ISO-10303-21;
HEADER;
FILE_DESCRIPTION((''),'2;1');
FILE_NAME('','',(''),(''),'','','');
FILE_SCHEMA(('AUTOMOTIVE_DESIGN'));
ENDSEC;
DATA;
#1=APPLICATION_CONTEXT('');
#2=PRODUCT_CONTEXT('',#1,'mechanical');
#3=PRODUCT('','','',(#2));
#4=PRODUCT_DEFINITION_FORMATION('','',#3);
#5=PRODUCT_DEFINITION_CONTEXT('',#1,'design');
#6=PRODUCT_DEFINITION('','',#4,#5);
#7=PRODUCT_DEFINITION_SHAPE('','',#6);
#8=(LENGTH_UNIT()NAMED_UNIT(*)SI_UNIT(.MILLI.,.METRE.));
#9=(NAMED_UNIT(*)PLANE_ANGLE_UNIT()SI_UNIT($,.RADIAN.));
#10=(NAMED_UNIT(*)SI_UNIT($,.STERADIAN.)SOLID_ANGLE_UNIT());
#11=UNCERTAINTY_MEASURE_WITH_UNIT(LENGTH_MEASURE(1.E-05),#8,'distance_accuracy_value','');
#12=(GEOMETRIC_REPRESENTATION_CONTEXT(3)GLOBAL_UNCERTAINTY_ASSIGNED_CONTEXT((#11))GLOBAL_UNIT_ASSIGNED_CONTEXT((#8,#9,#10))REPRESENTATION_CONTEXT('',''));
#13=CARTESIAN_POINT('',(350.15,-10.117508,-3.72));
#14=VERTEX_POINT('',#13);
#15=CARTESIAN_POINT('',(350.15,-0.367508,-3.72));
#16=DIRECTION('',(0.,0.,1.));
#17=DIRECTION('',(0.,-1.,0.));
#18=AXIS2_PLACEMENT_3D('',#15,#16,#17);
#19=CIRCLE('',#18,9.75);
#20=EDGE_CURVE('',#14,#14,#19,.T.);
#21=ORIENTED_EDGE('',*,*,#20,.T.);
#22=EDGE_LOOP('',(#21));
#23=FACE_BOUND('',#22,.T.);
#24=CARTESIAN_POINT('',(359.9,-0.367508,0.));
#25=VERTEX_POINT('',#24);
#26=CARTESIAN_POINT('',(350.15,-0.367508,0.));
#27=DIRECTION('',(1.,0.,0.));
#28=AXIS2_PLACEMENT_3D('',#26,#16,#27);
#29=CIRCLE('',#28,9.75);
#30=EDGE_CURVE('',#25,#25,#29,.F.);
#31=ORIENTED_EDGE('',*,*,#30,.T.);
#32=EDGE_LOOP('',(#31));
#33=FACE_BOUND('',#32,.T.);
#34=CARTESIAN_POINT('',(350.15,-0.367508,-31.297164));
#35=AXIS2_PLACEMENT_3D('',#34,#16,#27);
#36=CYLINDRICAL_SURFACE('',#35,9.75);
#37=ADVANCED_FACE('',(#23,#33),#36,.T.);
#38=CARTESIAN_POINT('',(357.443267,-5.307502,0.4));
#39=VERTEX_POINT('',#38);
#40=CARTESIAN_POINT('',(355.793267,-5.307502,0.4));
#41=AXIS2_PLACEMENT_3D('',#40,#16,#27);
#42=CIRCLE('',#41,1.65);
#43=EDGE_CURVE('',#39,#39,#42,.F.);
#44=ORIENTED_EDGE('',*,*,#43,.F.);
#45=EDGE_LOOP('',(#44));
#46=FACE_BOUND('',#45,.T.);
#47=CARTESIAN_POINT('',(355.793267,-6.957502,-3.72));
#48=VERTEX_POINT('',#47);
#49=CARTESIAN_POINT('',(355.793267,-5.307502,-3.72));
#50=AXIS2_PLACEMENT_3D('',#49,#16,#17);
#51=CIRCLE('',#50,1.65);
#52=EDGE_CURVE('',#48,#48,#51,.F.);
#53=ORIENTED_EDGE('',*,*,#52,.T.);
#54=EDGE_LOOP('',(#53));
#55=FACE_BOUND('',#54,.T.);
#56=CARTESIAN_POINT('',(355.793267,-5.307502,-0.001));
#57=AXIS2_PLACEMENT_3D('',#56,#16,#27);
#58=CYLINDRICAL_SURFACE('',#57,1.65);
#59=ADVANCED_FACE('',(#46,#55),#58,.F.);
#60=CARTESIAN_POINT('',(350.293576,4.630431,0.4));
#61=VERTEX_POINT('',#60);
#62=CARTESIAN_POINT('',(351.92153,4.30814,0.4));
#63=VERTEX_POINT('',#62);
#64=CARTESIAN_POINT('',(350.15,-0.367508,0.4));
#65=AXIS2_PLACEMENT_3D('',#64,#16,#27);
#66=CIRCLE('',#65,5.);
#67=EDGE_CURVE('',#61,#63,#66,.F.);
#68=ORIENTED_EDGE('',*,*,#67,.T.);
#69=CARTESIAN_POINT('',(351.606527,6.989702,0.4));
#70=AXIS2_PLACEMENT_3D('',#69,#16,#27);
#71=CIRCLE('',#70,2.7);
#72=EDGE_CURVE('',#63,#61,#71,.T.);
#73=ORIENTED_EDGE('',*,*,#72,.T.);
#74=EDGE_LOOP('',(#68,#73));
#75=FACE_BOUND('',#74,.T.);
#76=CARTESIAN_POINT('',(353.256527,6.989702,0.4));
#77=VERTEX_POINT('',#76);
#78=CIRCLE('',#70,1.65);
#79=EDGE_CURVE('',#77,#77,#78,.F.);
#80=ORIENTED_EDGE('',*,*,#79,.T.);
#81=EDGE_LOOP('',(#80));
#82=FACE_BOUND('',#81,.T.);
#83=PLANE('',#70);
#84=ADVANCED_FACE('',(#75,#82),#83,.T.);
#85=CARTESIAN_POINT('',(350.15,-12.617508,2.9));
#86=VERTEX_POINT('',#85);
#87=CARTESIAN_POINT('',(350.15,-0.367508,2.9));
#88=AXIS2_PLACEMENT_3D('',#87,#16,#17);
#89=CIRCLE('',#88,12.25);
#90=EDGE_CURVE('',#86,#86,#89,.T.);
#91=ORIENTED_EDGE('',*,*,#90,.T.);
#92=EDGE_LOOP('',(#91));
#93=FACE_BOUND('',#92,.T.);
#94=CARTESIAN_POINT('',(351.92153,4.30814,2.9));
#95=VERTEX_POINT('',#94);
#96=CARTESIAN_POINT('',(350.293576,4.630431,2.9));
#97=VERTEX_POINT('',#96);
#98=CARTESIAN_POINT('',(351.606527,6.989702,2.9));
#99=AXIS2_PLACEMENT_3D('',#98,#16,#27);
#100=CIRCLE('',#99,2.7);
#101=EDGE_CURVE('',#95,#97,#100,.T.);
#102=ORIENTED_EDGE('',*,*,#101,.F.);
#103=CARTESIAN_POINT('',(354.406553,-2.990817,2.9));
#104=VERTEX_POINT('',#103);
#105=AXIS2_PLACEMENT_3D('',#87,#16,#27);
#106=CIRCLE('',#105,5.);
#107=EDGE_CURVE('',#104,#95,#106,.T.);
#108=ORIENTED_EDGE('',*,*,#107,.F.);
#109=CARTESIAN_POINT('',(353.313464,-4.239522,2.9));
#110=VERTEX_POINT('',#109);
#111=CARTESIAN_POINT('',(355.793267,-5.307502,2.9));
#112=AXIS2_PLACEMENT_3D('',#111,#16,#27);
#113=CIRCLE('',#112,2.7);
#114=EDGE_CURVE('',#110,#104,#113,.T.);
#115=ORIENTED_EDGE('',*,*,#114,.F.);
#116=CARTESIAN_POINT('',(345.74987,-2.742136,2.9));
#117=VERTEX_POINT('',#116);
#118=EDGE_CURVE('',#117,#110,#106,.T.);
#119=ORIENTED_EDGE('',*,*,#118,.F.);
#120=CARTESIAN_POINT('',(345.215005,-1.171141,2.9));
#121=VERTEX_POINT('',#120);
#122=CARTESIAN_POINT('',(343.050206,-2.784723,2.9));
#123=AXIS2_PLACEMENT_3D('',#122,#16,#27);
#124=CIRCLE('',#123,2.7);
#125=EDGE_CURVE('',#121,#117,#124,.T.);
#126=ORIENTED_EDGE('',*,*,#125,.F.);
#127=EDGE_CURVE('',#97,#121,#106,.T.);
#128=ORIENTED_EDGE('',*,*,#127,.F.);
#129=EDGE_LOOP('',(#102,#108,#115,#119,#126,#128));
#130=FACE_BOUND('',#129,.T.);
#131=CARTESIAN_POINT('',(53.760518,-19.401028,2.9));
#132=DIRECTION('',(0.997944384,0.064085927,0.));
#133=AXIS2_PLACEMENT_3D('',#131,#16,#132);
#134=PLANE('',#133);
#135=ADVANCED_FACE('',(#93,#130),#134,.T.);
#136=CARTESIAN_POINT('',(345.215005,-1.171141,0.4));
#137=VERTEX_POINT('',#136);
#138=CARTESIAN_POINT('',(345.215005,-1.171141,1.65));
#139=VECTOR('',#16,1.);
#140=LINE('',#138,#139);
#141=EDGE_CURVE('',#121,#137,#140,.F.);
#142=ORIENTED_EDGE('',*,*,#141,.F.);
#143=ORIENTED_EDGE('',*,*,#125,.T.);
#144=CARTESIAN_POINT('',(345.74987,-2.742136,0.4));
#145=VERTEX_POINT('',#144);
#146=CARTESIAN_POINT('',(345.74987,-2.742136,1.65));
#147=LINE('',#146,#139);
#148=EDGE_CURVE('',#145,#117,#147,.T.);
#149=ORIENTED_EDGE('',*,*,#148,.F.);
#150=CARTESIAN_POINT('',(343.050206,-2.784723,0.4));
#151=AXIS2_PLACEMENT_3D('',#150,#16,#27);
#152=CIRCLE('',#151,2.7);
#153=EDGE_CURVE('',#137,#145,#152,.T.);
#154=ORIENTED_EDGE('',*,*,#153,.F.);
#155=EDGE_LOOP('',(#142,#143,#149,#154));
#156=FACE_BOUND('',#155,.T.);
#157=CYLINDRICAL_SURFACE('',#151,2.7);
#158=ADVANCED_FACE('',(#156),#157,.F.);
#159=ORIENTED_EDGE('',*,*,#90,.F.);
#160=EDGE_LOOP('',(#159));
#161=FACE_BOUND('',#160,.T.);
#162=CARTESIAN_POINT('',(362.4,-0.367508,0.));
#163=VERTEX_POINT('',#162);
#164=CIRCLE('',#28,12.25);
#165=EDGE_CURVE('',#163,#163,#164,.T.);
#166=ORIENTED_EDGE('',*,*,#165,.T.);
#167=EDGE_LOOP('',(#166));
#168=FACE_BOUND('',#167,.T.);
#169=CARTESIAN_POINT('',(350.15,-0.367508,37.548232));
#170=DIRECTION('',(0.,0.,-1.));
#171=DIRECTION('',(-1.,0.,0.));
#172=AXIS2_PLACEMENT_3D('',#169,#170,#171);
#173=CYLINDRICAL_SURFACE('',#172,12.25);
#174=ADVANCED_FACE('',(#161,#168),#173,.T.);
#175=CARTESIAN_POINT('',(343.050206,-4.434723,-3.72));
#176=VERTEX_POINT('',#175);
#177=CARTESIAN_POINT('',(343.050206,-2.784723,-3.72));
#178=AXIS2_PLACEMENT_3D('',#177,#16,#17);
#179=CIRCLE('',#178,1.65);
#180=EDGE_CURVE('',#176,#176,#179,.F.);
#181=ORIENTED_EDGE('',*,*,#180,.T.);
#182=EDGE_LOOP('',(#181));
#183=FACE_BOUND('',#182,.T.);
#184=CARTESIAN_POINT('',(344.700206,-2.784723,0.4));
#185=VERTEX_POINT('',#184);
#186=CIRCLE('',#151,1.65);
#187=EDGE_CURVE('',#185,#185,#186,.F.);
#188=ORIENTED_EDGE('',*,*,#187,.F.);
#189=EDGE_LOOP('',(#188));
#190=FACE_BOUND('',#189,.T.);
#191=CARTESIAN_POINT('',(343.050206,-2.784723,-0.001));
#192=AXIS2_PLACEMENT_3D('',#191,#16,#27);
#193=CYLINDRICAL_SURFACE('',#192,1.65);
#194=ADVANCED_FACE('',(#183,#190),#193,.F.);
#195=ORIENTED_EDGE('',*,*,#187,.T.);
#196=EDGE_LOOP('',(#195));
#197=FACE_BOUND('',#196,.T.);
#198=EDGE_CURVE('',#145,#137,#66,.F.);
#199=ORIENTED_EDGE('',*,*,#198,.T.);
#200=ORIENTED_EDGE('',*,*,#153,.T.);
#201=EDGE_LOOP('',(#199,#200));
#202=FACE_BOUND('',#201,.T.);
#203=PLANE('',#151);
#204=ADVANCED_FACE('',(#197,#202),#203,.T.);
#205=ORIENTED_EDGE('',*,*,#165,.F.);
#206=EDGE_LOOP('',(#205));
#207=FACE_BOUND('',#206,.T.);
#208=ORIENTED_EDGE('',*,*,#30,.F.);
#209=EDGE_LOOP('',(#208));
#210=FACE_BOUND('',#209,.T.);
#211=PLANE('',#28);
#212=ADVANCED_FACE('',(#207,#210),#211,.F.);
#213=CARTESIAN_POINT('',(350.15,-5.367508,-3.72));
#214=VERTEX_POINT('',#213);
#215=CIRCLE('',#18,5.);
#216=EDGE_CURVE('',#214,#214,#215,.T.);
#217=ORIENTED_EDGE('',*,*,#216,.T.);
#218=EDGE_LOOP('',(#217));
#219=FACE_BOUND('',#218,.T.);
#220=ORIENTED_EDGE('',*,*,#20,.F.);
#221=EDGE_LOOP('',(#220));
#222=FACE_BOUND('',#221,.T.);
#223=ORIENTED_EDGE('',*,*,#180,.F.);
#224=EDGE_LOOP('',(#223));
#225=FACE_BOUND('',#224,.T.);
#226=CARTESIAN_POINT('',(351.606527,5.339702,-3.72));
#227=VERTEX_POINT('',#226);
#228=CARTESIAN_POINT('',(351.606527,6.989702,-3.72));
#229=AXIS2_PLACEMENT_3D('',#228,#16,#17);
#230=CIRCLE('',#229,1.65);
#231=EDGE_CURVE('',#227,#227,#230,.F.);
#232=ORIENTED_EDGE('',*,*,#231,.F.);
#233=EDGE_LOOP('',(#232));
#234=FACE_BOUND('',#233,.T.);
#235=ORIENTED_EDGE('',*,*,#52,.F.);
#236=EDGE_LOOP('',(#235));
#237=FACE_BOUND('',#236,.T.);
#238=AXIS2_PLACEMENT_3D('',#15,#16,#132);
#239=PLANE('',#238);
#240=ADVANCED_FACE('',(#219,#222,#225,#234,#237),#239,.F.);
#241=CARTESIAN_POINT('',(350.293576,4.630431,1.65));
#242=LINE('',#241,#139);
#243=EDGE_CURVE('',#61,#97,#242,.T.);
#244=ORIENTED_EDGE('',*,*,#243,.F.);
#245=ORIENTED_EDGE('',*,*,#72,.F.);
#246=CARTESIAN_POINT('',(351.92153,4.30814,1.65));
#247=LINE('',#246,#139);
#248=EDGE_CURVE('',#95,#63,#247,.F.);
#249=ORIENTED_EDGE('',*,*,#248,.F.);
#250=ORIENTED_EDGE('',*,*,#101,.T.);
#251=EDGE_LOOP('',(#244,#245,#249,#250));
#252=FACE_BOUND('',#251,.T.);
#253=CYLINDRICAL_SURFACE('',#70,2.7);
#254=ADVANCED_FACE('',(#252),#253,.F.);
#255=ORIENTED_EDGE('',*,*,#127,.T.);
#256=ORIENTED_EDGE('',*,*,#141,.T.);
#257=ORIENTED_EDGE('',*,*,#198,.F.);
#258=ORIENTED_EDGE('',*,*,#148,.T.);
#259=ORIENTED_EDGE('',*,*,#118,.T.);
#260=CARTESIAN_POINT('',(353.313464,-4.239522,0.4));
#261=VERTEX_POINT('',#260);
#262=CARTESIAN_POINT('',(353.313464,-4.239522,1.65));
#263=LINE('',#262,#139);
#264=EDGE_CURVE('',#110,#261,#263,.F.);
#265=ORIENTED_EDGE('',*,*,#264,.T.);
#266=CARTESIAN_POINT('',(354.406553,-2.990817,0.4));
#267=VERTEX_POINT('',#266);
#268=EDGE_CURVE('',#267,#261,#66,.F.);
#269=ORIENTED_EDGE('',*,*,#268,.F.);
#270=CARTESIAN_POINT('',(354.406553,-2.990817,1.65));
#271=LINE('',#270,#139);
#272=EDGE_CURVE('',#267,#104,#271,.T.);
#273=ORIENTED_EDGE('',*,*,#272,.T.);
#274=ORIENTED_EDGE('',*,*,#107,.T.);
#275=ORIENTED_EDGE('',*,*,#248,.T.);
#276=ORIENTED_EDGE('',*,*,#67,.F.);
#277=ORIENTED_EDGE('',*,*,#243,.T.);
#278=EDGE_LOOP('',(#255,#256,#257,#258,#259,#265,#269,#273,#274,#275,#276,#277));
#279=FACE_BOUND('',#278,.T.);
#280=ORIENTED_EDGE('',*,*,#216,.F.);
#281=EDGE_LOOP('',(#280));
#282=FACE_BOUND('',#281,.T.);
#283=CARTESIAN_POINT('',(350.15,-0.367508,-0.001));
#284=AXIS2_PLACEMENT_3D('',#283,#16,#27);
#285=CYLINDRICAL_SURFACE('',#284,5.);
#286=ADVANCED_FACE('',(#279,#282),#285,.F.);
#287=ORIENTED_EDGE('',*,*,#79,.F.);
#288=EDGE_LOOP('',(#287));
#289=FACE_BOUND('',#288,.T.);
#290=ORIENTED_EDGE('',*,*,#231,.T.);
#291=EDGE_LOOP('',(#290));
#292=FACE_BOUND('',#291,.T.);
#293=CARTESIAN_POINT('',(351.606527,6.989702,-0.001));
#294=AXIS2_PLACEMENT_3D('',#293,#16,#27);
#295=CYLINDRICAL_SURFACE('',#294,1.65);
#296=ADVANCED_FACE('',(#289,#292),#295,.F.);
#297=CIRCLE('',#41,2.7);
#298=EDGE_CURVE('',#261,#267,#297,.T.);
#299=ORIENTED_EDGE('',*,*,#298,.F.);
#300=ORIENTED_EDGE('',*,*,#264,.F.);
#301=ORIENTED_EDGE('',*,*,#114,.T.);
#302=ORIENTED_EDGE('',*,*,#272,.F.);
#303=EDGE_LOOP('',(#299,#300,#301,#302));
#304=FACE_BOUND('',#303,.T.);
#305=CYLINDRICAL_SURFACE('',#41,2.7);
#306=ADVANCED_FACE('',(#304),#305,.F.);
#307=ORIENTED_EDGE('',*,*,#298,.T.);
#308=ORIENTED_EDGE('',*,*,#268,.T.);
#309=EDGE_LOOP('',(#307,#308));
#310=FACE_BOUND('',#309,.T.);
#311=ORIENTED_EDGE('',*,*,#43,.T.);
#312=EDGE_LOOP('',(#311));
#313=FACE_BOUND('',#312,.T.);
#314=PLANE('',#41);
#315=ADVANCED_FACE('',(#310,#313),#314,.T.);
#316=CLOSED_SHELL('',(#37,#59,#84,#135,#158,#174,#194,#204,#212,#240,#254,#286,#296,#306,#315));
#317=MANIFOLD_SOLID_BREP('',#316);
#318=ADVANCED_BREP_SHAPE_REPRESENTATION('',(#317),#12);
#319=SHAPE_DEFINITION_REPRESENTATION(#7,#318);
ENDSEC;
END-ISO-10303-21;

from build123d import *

# Parameters (mm, degrees)
SKETCH1_R           = 12.25
BOSS_EXTRUDE1_DEPTH = 2.9
CUT_EXTRUDE1_REACH  = 364.631
SKETCH2_R           = 5
CUT_EXTRUDE2_REACH  = 364.631
SKETCH5_R           = 1.65
SKETCH6_R           = 9.75
SKETCH6_R_2         = 5
BOSS_EXTRUDE2_DEPTH = 3.72
SKETCH7_R           = 1.65
CUT_EXTRUDE3_DEPTH  = 3.72
SKETCH8_R           = 2.7
CUT_EXTRUDE4_DEPTH  = 2.5


with BuildPart() as part:
    # Sketch1 → Boss-Extrude1 (new body)
    with BuildSketch(Plane.XY):
        with Locations(Location((350.15, -0.367507575, 0), (0, 0, 270))):
            Circle(SKETCH1_R)
    extrude(amount=BOSS_EXTRUDE1_DEPTH)

    # Sketch2 → Cut-Extrude1 (cut, up to next)
    with BuildSketch(Plane.XY.offset(2.9), mode=Mode.PRIVATE) as cut_extrude1_sk1:
        with Locations((350.15, -0.367507575)):
            Circle(SKETCH2_R)
    cut_extrude1_tool1 = extrude(cut_extrude1_sk1.sketch, amount=-CUT_EXTRUDE1_REACH, mode=Mode.PRIVATE) & part.part
    add(cut_extrude1_tool1.solids().sort_by_distance((350.15, -0.367508, 2.9))[0], mode=Mode.SUBTRACT)

    # Sketch5 → Cut-Extrude2 (cut, up to next)
    with BuildSketch(Plane.XY.offset(2.9), mode=Mode.PRIVATE) as cut_extrude2_sk1:
        with Locations((343.05020627, -2.784722708)):
            Circle(SKETCH5_R)
    cut_extrude2_tool1 = extrude(cut_extrude2_sk1.sketch, amount=-CUT_EXTRUDE2_REACH, mode=Mode.PRIVATE) & part.part
    # Sketch5 → Cut-Extrude2 (cut, up to next)
    with BuildSketch(Plane.XY.offset(2.9), mode=Mode.PRIVATE) as cut_extrude2_sk2:
        with Locations((355.793266576, -5.30750174)):
            Circle(SKETCH5_R)
    cut_extrude2_tool2 = extrude(cut_extrude2_sk2.sketch, amount=-CUT_EXTRUDE2_REACH, mode=Mode.PRIVATE) & part.part
    # Sketch5 → Cut-Extrude2 (cut, up to next)
    with BuildSketch(Plane.XY.offset(2.9), mode=Mode.PRIVATE) as cut_extrude2_sk3:
        with Locations((351.606527153, 6.989701723)):
            Circle(SKETCH5_R)
    cut_extrude2_tool3 = extrude(cut_extrude2_sk3.sketch, amount=-CUT_EXTRUDE2_REACH, mode=Mode.PRIVATE) & part.part
    add(cut_extrude2_tool1.solids().sort_by_distance((343.050206, -2.784723, 2.9))[0], mode=Mode.SUBTRACT)
    add(cut_extrude2_tool2.solids().sort_by_distance((355.793267, -5.307502, 2.9))[0], mode=Mode.SUBTRACT)
    add(cut_extrude2_tool3.solids().sort_by_distance((351.606527, 6.989702, 2.9))[0], mode=Mode.SUBTRACT)

    # Sketch6 → Boss-Extrude2 (add)
    with BuildSketch(Plane(origin=(0, 0, 0), x_dir=(-1, 0, 0), z_dir=(0, 0, -1))):
        with Locations(Location((-350.15, -0.367507575, 0), (0, 0, 180))):
            Circle(SKETCH6_R)
        with Locations(Location((-350.15, -0.367507575, 0), (0, 0, 180))):
            Circle(SKETCH6_R_2, mode=Mode.SUBTRACT)
    extrude(amount=BOSS_EXTRUDE2_DEPTH)

    # Sketch7 → Cut-Extrude3 (cut)
    with BuildSketch(Plane.XY):
        with Locations((351.606527153, 6.989701723)):
            Circle(SKETCH7_R)
        with Locations((343.05020627, -2.784722708)):
            Circle(SKETCH7_R)
        with Locations((355.793266576, -5.30750174)):
            Circle(SKETCH7_R)
    extrude(amount=-CUT_EXTRUDE3_DEPTH, mode=Mode.SUBTRACT)

    # Sketch8 → Cut-Extrude4 (cut)
    with BuildSketch(Plane.XY.offset(2.9)):
        with Locations((351.606527153, 6.989701723)):
            Circle(SKETCH8_R)
        with Locations((355.793266576, -5.30750174)):
            Circle(SKETCH8_R)
        with Locations((343.05020627, -2.784722708)):
            Circle(SKETCH8_R)
    extrude(amount=-CUT_EXTRUDE4_DEPTH, mode=Mode.SUBTRACT)


solid = part.part
